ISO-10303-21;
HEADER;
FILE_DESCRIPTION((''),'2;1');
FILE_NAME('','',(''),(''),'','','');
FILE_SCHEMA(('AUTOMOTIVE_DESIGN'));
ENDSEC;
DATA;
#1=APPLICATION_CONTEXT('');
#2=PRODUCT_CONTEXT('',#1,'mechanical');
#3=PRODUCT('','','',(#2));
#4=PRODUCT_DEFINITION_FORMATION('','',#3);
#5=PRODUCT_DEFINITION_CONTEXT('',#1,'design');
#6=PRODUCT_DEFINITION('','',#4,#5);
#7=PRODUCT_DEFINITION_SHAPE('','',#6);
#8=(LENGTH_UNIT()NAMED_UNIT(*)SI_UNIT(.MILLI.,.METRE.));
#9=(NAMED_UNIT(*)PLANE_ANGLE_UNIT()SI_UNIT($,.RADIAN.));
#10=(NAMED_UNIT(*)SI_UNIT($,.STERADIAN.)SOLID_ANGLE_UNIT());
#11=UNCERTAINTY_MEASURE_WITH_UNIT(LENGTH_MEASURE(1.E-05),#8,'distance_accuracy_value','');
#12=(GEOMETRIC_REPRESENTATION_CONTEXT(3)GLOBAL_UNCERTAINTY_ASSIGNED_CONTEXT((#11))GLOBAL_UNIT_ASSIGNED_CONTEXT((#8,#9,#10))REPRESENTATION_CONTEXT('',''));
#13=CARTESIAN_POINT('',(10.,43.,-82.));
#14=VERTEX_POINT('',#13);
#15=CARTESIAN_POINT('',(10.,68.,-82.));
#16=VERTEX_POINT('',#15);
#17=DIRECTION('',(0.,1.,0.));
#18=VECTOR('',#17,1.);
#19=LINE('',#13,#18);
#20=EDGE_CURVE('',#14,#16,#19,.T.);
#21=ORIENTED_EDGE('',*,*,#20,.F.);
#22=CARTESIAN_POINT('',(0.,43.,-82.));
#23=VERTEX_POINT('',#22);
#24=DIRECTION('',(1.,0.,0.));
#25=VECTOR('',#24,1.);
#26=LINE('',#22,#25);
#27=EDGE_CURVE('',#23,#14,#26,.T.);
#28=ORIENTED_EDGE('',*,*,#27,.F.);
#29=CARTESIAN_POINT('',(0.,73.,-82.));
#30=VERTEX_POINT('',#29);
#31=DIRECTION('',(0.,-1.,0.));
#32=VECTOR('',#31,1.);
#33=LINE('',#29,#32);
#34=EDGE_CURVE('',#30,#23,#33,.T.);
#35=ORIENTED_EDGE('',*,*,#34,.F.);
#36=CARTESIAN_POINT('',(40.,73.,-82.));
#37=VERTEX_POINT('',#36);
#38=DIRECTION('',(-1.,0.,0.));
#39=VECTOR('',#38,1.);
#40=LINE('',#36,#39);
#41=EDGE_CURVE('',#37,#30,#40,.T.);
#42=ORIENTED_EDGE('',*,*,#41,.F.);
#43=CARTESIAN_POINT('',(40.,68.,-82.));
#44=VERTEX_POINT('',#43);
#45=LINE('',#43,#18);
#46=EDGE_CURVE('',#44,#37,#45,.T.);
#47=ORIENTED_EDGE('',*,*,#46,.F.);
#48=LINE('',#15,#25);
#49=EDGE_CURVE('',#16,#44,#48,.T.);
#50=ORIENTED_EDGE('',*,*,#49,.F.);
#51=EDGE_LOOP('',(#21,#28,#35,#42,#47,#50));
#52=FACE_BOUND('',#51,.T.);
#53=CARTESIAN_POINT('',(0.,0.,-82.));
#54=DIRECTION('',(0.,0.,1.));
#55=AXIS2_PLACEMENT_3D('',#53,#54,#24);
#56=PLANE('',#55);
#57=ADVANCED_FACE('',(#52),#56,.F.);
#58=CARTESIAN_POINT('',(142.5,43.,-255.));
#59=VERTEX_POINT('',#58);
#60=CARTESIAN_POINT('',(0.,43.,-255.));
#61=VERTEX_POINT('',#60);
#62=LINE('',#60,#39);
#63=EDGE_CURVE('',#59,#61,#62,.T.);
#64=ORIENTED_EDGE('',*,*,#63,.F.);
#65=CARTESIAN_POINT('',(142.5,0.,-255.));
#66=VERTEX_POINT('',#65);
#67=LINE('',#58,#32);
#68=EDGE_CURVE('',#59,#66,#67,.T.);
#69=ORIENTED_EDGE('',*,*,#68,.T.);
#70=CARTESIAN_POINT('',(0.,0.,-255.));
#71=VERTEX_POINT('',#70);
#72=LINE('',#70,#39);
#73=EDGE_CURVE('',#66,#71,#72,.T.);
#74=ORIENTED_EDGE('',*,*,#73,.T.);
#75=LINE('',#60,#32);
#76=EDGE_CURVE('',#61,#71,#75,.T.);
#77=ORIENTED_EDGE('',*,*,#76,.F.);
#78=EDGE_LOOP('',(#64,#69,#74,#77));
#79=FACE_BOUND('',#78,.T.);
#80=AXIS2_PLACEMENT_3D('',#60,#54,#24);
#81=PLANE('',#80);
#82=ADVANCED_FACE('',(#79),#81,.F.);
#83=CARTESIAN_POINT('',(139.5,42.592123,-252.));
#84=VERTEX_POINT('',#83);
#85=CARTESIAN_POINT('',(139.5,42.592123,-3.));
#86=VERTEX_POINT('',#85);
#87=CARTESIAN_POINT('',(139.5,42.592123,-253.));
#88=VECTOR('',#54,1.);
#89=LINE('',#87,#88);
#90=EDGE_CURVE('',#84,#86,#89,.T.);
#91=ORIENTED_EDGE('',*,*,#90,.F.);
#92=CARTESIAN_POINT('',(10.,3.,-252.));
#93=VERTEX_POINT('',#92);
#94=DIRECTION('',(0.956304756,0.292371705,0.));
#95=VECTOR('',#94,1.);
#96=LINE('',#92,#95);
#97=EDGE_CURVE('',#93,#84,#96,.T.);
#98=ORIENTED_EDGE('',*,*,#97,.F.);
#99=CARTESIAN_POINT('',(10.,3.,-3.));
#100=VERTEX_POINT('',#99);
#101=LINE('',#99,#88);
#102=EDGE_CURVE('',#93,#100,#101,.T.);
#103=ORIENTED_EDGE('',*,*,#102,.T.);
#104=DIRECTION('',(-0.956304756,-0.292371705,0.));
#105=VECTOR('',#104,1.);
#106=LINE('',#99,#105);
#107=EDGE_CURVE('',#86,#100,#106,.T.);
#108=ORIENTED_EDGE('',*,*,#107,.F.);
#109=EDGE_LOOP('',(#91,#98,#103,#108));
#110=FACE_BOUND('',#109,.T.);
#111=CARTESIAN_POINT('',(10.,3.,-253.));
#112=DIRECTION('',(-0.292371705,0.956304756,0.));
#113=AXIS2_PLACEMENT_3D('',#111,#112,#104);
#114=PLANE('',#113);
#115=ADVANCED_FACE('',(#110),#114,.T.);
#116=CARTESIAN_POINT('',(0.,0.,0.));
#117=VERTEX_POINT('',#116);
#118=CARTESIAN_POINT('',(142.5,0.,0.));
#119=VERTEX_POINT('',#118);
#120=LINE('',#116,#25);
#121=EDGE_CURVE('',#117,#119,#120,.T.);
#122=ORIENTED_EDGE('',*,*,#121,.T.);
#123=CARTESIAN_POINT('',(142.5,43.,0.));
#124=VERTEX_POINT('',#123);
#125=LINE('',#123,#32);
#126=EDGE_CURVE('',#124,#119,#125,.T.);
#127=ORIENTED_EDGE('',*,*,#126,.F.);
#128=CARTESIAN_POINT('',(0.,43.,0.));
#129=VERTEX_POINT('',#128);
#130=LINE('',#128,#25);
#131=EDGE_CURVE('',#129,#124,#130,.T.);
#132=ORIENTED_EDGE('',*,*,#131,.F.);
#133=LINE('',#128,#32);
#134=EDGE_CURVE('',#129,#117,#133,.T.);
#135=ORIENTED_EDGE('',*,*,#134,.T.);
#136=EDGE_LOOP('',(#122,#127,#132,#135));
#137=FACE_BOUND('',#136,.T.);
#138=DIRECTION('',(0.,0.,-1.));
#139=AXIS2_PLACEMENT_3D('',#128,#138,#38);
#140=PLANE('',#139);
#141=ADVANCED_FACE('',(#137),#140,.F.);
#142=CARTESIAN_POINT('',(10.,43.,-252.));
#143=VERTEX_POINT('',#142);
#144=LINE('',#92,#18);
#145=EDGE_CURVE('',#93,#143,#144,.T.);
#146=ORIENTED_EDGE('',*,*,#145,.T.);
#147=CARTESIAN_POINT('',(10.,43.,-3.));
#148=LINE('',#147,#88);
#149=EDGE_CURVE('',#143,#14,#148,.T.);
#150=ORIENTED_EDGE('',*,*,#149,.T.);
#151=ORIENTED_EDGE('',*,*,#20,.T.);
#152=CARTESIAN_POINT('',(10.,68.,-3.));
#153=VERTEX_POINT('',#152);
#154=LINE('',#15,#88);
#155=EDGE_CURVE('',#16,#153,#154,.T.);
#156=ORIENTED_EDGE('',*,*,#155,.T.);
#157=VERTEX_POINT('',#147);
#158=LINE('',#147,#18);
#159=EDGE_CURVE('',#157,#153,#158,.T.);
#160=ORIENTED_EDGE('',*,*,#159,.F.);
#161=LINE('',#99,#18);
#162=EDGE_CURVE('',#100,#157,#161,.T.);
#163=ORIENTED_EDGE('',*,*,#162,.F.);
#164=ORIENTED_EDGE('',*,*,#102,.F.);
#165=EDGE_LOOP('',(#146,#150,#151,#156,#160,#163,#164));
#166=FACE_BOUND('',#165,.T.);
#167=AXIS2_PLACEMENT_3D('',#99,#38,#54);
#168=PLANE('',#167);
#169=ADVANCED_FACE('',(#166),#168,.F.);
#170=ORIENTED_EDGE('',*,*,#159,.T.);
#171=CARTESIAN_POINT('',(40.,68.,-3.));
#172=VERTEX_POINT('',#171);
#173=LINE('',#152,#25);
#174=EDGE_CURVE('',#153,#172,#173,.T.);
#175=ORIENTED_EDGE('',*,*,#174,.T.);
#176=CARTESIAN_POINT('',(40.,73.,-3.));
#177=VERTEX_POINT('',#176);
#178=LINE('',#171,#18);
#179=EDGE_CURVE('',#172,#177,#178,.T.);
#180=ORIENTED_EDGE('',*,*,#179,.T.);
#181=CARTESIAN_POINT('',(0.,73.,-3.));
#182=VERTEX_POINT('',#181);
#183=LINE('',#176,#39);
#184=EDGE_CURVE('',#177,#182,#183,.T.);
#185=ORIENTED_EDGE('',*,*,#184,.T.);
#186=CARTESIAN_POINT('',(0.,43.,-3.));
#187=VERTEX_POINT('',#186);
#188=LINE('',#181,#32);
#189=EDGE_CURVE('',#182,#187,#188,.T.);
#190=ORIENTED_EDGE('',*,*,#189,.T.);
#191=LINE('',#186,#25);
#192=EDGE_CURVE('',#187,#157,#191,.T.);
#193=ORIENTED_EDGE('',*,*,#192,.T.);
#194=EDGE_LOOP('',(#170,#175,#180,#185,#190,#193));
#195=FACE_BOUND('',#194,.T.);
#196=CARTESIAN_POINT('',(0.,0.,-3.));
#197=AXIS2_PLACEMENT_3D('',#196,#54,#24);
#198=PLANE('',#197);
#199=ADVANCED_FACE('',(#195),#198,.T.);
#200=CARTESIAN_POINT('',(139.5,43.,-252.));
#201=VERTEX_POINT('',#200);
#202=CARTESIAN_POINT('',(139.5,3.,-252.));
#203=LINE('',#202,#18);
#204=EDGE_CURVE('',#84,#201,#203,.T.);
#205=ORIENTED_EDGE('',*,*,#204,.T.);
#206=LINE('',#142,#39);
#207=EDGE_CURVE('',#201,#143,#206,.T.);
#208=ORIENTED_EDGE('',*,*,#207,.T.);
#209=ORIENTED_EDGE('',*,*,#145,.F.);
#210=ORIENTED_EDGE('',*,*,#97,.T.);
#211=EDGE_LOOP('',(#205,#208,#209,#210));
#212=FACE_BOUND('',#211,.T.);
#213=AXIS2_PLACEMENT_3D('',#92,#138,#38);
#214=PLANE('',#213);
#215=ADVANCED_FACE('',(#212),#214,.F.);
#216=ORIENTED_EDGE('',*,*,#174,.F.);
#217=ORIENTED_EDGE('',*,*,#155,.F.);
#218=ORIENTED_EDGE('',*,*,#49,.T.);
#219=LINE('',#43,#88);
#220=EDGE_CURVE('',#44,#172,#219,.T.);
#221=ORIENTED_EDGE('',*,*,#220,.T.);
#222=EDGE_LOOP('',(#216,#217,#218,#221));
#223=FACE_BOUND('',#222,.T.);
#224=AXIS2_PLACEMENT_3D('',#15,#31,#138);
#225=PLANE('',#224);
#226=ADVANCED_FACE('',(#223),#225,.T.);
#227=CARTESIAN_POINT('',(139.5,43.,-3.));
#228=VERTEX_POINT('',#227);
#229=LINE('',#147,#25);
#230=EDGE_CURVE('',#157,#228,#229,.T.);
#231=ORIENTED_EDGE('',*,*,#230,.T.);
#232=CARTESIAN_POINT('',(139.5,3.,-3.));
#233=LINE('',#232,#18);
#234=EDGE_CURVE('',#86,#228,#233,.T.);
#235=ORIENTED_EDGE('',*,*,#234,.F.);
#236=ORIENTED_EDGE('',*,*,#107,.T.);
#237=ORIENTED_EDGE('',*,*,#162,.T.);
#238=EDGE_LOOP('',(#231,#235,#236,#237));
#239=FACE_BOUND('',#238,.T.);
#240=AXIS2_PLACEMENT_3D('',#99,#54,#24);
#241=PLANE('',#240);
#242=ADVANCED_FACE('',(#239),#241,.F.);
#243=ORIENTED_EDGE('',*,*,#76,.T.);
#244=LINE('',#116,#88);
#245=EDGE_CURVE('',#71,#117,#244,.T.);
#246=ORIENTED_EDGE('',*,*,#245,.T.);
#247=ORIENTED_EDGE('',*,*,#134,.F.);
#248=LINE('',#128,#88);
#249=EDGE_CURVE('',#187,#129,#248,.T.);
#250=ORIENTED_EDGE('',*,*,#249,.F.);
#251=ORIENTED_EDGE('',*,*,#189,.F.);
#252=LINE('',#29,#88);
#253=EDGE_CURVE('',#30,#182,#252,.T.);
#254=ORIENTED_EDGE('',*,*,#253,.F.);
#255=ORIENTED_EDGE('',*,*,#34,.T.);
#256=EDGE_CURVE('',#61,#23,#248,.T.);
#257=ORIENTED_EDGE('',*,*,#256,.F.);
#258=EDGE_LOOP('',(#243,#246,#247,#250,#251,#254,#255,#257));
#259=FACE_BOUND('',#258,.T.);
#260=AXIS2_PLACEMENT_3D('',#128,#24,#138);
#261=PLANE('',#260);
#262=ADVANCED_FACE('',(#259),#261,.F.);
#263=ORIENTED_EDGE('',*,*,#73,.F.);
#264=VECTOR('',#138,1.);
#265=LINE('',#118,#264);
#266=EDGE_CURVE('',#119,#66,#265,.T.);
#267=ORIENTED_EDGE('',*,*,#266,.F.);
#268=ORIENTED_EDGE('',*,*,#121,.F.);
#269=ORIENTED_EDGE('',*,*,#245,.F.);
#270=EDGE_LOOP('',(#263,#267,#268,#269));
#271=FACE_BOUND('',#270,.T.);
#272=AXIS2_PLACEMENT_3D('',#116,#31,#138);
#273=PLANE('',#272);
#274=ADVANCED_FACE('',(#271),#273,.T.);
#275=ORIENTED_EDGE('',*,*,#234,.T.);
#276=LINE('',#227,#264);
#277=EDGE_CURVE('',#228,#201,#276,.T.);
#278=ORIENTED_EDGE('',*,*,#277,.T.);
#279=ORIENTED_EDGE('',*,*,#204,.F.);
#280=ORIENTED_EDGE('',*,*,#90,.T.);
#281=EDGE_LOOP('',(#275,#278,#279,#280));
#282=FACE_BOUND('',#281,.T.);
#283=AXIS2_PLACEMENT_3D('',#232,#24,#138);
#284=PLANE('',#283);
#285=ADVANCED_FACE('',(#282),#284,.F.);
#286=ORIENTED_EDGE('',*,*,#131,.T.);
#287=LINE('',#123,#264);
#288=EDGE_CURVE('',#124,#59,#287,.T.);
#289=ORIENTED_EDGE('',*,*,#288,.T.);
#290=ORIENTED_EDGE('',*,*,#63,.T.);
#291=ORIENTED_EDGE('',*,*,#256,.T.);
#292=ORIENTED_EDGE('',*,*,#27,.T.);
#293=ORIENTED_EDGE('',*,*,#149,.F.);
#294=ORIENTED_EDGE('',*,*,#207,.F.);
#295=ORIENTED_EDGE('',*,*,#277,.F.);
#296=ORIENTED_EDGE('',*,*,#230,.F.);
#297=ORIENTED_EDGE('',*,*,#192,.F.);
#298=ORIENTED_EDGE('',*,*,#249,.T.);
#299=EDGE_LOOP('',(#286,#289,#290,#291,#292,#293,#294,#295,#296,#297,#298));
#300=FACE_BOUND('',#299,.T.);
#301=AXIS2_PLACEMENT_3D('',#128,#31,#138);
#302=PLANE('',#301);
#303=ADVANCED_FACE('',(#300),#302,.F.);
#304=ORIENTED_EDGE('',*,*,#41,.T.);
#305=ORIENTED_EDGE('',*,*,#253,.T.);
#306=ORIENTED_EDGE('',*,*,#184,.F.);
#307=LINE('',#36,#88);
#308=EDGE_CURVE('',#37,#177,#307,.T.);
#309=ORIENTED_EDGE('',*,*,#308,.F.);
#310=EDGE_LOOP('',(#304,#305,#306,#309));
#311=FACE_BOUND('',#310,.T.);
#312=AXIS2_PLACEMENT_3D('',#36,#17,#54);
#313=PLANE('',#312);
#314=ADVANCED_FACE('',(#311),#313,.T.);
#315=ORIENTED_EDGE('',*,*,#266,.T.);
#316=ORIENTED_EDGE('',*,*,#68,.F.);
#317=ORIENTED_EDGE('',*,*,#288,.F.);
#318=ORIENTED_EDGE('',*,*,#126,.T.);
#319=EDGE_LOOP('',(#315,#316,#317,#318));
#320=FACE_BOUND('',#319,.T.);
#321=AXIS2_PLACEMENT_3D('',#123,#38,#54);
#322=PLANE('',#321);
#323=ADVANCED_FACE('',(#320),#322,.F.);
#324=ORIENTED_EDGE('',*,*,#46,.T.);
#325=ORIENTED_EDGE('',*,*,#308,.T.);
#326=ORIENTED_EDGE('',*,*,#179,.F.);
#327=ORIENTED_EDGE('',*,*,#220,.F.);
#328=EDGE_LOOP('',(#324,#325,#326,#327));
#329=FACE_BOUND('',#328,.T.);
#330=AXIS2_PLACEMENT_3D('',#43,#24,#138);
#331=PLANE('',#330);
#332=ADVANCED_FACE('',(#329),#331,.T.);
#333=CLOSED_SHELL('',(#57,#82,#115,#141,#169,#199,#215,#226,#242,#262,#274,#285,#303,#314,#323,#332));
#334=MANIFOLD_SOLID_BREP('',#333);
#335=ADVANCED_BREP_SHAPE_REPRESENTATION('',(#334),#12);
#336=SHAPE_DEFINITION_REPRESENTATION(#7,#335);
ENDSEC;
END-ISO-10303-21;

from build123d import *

# Parameters (mm, degrees)
SKETCH1_W           = 142.5
SKETCH1_H           = 255
BOSS_EXTRUDE1_DEPTH = 43
SKETCH2_W           = 129.5
SKETCH2_H           = 249
CUT_EXTRUDE1_DEPTH  = 40
BOSS_EXTRUDE2_DEPTH = 79
BOSS_EXTRUDE3_DEPTH = 250


with BuildPart() as part:
    # Sketch1 → Boss-Extrude1 (new body)
    with BuildSketch(Plane(origin=(0, 0, 0), x_dir=(1, 0, 0), z_dir=(0, 1, 0))):
        with Locations((71.25, 127.5)):
            Rectangle(SKETCH1_W, SKETCH1_H)
    extrude(amount=BOSS_EXTRUDE1_DEPTH)

    # Sketch2 → Cut-Extrude1 (cut)
    with BuildSketch(Plane(origin=(0, 43, 0), x_dir=(1, 0, 0), z_dir=(0, 1, 0))):
        with Locations((74.75, 127.5)):
            Rectangle(SKETCH2_W, SKETCH2_H)
    extrude(amount=-CUT_EXTRUDE1_DEPTH, mode=Mode.SUBTRACT)

    # Sketch5 → Boss-Extrude2 (add)
    with BuildSketch(Plane.XY.offset(-3)):
        Polygon((10, 43), (10, 68), (40, 68), (40, 73), (0, 73), (0, 43), align=None)
    extrude(amount=-BOSS_EXTRUDE2_DEPTH)

    # Sketch6 → Boss-Extrude3 (add)
    with BuildSketch(Plane.XY.offset(-3)):
        Polygon((10, 3), (139.5, 42.592123249), (139.5, 3), align=None)
    extrude(amount=-BOSS_EXTRUDE3_DEPTH)


solid = part.part
